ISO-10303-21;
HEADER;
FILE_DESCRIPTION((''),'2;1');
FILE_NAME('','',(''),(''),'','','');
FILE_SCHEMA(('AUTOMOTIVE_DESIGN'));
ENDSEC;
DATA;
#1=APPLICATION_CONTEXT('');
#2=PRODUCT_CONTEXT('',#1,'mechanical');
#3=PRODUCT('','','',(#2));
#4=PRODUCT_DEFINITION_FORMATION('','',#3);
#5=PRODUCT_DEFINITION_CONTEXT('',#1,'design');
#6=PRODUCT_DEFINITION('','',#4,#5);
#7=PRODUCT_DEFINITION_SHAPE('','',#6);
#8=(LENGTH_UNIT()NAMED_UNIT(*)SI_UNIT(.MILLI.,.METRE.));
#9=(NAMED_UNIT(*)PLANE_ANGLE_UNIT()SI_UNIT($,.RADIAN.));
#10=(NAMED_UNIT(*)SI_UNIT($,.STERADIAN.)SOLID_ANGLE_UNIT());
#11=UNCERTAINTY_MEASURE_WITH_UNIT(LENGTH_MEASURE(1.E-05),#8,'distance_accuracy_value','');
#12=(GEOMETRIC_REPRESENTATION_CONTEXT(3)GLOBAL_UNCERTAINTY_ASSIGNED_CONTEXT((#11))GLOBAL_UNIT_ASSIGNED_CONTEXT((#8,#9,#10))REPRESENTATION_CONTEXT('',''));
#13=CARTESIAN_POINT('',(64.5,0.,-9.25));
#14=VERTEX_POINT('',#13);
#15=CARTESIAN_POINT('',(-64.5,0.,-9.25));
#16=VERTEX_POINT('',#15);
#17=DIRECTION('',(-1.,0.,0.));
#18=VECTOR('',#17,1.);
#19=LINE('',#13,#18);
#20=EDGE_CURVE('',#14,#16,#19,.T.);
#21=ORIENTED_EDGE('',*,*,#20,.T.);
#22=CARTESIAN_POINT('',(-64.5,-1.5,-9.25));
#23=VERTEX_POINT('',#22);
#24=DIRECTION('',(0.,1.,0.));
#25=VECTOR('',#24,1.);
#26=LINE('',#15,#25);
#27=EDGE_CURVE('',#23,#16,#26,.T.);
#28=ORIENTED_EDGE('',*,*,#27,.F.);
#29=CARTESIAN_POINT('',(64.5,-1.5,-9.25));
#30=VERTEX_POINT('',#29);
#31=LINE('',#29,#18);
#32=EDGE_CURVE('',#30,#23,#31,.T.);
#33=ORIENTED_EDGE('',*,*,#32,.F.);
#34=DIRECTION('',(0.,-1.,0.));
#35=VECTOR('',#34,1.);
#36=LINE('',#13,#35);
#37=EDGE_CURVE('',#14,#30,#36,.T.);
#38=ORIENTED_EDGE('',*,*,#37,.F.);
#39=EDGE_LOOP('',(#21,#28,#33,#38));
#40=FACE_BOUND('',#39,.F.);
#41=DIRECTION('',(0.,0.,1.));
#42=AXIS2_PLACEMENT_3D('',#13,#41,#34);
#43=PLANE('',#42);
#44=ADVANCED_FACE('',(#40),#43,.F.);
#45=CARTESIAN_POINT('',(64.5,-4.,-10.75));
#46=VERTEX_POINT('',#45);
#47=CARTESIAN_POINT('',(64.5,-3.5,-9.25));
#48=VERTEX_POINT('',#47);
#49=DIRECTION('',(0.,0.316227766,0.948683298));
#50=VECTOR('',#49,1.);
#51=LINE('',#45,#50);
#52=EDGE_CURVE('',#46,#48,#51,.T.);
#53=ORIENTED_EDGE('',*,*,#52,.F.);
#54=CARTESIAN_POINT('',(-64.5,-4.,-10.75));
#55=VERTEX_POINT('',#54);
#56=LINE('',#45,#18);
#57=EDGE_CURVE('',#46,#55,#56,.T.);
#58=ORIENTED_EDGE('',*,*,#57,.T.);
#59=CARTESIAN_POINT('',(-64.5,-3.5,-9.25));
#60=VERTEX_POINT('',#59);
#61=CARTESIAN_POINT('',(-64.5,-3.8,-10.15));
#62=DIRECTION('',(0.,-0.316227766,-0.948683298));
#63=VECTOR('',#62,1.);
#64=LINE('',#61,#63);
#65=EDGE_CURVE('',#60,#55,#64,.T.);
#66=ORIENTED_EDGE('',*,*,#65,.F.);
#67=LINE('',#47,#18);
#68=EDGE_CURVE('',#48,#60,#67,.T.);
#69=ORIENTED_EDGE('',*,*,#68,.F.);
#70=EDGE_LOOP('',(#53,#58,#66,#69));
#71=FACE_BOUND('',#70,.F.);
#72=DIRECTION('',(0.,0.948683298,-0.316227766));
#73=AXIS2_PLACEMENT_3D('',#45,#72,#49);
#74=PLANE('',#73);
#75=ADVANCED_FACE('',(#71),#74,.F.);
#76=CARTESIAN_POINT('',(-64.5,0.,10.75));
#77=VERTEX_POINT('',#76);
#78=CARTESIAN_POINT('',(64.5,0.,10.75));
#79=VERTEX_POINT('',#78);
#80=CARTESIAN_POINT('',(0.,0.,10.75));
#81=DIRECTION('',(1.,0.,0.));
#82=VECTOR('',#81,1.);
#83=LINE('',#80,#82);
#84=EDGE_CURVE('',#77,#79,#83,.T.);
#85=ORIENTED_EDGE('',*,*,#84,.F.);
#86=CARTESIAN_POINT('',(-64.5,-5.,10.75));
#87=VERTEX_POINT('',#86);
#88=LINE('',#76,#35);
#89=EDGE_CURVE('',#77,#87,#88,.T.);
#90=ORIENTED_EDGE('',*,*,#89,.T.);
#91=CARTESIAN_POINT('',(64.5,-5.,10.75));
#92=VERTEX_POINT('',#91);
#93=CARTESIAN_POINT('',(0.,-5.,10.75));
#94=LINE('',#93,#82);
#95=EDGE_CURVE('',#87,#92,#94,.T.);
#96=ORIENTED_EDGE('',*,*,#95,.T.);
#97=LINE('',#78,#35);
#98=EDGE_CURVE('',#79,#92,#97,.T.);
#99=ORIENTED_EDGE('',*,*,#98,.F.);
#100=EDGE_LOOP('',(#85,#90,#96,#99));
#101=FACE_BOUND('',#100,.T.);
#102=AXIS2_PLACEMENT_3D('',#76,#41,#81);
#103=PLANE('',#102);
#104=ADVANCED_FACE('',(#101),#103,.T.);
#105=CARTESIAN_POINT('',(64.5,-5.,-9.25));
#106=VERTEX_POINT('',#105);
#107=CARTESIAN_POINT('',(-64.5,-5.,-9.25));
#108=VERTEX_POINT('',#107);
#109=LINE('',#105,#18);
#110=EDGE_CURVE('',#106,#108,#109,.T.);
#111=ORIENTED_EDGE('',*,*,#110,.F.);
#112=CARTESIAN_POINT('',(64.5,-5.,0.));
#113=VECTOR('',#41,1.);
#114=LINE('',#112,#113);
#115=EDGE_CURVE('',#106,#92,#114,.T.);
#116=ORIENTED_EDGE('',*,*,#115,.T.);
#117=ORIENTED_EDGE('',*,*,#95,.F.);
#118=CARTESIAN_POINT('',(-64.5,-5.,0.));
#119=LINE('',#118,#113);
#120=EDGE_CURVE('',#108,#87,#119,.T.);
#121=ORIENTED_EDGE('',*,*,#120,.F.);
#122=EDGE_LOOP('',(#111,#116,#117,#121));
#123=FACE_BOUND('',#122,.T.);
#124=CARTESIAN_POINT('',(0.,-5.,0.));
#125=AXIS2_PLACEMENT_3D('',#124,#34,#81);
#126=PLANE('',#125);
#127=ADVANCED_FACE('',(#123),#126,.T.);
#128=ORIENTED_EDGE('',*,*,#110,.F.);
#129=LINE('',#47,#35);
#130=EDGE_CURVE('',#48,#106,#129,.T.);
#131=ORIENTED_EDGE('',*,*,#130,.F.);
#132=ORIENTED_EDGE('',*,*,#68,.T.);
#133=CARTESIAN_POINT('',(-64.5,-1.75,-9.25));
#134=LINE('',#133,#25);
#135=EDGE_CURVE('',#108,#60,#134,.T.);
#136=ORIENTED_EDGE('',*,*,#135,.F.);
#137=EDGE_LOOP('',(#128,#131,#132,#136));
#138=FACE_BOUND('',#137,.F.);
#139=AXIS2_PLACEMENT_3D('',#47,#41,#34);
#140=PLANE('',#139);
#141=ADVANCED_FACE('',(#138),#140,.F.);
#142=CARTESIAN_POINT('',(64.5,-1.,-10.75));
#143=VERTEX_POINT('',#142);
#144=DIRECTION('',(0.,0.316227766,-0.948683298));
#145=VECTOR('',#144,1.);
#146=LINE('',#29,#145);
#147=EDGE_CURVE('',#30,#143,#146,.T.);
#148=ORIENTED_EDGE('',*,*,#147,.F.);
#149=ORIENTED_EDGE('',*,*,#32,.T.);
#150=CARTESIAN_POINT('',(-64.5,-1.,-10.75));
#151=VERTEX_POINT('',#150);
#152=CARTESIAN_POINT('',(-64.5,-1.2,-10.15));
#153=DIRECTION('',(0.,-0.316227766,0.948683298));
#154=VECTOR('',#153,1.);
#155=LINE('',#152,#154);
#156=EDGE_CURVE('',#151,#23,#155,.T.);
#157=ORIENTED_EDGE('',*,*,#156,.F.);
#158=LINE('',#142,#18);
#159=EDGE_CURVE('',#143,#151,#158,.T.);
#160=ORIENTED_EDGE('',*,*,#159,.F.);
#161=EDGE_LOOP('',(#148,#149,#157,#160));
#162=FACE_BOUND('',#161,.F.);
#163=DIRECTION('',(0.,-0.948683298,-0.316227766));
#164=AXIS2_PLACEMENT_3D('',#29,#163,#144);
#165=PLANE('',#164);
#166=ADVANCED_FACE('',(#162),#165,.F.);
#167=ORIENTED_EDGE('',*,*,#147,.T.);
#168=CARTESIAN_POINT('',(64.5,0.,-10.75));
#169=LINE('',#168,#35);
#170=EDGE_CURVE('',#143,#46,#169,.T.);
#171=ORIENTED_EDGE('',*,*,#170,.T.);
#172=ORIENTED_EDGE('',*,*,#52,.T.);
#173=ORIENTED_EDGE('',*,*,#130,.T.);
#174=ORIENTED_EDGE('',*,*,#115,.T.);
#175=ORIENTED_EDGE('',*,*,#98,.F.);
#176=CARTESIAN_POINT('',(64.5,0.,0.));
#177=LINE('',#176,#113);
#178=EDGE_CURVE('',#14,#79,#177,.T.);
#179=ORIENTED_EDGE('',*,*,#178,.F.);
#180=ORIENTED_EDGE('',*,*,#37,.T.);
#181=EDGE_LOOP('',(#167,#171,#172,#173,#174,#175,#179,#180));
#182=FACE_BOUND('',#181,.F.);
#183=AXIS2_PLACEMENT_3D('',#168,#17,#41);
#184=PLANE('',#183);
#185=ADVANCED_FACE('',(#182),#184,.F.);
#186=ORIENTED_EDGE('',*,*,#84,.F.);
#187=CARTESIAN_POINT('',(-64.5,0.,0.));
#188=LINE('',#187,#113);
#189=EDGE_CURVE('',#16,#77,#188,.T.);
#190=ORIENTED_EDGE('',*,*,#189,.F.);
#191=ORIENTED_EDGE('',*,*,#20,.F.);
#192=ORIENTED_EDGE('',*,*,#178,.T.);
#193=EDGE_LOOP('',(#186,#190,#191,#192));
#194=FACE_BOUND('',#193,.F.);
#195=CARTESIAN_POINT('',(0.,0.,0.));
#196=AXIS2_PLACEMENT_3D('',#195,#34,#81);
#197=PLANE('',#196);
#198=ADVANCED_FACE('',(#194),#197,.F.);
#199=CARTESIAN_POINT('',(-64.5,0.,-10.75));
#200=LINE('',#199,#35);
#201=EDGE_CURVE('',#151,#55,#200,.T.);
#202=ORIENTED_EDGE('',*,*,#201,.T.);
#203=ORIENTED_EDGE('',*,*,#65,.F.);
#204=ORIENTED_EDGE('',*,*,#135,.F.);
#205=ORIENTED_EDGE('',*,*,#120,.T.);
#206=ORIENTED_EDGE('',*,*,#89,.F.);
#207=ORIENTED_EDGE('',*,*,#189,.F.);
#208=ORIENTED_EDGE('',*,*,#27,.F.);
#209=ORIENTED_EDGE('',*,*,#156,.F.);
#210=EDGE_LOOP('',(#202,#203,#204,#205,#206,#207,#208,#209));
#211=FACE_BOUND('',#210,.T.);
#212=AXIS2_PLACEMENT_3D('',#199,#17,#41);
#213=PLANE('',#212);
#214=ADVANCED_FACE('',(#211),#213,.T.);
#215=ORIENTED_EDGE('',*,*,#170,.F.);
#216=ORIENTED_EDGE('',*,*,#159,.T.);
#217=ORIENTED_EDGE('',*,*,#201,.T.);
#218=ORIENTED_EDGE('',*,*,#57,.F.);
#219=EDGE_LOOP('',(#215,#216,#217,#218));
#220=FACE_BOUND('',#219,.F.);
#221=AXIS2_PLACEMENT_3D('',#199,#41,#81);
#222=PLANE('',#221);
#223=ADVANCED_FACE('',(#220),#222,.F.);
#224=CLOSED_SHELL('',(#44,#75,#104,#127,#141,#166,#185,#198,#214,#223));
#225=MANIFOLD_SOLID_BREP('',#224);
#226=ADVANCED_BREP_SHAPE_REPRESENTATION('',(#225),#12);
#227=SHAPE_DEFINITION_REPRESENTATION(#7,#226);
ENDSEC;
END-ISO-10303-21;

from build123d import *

# Parameters (mm, degrees)
F0_W     = 129
F0_H     = 21.5
F1_DEPTH = 5
F3_DEPTH = 129.001


with BuildPart() as f1:
    # F0 (on Front) → F1 (new body)
    with BuildSketch(Plane.XZ):
        Rectangle(F0_W, F0_H)
    extrude(amount=F1_DEPTH)

    # F2 (on face) → F3 (cut, through all)
    with BuildSketch(Plane.YZ.offset(64.5)):
        Polygon((-4, -10.75), (-3.5, -9.25), (-5, -9.25), (-5, -10.75), align=None)
        Polygon((-1.5, -9.25), (-1, -10.75), (0, -10.75), (0, -9.25), align=None)
    extrude(amount=-F3_DEPTH, mode=Mode.SUBTRACT)


solid = f1.part
